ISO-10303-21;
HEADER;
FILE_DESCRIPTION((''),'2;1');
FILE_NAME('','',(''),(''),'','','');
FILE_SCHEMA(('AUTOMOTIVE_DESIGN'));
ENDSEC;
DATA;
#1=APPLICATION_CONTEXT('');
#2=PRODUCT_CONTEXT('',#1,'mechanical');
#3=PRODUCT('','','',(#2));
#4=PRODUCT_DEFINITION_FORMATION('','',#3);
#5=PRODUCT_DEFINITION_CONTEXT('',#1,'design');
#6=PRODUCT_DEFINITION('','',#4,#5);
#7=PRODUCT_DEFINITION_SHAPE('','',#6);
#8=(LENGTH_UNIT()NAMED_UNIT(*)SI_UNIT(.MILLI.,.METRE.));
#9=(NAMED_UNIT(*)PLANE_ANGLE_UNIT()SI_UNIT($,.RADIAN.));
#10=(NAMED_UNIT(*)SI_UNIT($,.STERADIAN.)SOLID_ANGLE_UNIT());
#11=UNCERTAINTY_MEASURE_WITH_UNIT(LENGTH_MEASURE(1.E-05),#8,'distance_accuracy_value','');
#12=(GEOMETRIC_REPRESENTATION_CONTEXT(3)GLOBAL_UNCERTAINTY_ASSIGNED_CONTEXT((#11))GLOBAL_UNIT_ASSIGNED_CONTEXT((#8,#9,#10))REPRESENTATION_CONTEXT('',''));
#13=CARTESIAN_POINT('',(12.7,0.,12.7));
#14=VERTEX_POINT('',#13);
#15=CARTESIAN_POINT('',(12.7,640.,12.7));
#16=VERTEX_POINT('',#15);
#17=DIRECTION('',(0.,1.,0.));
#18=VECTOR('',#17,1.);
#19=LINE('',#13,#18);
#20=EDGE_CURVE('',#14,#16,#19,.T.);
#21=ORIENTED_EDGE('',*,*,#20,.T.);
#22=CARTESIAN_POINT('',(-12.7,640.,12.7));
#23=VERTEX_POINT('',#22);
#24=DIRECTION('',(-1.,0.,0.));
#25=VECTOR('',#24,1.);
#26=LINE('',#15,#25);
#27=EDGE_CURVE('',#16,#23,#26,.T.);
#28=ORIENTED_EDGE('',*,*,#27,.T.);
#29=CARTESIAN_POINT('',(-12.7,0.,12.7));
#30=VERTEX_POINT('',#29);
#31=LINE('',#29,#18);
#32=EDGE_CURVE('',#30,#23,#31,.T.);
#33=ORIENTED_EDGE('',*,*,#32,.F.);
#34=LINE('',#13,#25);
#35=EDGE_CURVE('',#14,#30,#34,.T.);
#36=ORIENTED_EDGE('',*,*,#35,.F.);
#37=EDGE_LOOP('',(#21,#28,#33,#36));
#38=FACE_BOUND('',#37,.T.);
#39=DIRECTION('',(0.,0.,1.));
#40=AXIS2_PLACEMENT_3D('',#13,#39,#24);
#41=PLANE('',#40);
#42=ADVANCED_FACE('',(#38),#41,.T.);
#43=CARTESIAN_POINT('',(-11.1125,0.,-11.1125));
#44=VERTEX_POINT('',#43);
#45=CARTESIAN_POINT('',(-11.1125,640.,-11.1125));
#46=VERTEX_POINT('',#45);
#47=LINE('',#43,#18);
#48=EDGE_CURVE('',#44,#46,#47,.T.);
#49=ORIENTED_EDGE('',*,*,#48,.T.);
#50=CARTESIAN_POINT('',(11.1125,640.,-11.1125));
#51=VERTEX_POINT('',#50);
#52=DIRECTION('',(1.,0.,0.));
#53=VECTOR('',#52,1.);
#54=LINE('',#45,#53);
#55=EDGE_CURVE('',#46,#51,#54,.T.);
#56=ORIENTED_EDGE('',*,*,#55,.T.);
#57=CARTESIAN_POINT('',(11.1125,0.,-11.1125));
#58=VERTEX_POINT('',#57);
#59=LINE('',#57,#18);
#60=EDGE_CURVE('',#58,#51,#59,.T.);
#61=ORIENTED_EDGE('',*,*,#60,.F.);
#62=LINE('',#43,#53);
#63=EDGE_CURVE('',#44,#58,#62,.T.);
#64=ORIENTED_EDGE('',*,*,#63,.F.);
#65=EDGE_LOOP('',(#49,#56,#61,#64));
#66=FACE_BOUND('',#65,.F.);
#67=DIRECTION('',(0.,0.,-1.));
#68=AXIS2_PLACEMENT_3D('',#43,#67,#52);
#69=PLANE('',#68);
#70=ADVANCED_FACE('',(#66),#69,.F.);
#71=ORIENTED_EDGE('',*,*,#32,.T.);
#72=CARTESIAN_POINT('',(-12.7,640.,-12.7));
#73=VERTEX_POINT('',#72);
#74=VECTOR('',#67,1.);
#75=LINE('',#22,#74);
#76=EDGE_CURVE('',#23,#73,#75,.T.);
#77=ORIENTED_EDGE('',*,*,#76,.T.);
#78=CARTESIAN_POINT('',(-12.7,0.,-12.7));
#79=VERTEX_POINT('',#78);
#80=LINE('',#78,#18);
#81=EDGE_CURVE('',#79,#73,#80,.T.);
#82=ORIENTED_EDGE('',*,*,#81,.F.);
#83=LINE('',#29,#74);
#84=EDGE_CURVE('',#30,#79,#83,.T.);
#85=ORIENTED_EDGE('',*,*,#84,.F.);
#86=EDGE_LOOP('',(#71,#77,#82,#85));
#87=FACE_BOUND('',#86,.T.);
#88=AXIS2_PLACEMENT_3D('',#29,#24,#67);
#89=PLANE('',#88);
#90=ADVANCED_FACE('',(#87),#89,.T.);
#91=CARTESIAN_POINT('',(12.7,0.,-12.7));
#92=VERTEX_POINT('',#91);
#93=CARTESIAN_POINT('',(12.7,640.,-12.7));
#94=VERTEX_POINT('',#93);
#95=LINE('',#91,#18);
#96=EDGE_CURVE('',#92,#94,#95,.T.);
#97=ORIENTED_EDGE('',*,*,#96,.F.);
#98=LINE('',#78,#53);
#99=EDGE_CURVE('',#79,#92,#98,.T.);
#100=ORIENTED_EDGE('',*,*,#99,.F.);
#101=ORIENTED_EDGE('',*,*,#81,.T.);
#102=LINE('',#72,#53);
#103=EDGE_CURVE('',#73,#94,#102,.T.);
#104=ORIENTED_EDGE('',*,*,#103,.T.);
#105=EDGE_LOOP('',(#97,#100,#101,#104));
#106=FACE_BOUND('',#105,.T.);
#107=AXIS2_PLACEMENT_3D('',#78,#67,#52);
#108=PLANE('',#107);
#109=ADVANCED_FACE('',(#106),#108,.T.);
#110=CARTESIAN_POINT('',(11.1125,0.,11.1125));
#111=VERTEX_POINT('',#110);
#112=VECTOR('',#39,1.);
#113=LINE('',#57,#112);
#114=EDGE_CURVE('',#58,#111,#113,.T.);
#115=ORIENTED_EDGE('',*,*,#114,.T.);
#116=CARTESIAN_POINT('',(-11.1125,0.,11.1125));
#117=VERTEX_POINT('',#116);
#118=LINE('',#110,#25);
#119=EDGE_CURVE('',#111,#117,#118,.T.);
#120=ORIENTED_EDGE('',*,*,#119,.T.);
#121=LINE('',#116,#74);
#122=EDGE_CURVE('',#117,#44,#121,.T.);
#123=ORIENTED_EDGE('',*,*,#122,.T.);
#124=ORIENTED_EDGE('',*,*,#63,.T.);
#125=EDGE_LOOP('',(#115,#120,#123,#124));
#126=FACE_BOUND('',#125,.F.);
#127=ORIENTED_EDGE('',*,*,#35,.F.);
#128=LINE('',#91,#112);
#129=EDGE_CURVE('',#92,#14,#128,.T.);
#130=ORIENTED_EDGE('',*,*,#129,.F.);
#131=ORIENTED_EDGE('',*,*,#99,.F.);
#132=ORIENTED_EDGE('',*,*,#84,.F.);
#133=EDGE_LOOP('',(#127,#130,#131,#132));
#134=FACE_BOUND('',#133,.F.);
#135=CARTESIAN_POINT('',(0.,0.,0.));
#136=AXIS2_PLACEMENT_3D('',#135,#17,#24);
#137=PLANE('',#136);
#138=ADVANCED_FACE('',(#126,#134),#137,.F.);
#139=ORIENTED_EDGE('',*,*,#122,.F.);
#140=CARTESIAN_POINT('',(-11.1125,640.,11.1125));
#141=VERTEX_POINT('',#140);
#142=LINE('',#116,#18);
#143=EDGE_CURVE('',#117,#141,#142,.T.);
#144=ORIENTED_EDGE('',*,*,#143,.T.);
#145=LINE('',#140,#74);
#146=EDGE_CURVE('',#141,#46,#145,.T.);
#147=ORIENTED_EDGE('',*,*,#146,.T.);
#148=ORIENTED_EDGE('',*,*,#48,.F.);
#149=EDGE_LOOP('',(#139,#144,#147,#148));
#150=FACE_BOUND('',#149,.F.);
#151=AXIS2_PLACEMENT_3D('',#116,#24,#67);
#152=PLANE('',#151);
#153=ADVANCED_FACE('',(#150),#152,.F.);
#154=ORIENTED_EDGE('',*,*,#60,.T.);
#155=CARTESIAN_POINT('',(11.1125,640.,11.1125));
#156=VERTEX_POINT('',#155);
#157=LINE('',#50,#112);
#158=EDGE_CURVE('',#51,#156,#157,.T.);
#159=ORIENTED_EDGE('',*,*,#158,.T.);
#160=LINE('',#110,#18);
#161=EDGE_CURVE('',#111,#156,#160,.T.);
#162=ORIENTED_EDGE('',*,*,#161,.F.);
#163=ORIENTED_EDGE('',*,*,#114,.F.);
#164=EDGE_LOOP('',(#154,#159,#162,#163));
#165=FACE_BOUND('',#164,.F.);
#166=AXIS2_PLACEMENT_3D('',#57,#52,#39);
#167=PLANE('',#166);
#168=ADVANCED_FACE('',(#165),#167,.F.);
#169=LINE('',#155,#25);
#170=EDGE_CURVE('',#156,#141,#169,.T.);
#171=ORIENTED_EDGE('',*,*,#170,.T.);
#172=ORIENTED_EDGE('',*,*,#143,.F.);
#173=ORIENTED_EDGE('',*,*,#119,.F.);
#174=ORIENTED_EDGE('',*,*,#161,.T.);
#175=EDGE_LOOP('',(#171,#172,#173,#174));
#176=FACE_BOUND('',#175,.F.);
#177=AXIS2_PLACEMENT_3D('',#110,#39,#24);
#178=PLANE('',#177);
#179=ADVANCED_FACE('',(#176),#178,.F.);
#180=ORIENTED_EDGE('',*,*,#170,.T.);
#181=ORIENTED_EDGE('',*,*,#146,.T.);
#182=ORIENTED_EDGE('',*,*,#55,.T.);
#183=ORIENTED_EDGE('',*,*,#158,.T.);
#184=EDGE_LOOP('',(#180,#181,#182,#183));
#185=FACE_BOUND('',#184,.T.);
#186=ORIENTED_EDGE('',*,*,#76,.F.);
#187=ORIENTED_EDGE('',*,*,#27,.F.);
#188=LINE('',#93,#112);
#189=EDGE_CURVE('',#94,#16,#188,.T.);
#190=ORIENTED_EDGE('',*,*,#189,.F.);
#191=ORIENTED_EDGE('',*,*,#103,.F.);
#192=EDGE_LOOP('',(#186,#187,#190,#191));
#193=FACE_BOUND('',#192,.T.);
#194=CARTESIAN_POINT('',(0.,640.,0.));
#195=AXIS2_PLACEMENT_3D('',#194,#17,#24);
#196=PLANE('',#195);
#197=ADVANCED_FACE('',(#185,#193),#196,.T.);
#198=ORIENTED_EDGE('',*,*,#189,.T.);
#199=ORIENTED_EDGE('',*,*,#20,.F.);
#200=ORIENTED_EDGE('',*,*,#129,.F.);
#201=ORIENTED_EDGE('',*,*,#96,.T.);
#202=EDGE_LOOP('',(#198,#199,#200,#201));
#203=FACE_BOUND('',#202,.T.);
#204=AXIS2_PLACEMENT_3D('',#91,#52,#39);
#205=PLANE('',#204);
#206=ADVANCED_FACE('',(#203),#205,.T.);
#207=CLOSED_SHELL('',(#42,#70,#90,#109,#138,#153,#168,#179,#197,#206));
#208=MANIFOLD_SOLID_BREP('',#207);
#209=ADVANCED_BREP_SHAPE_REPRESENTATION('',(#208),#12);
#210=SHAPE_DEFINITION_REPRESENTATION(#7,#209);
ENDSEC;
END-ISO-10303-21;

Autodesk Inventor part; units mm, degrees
ref_plane "YZ Plane" through (0, 0, 0) normal (1, 0, 0) x (0, 1, 0)
ref_plane "XZ Plane" through (0, 0, 0) normal (0, 1, 0) x (-1, 0, 0)
ref_plane "XY Plane" through (0, 0, 0) normal (0, 0, 1) x (1, 0, 0)
sketch "Sketch1" plane through (0, 0, 0) normal (0, 1, 0) x (-1, 0, 0)
  line L0 (12.7, 12.7) -> (12.7, -12.7)
  line L1 (12.7, -12.7) -> (-12.7, -12.7)
  line L2 (-12.7, -12.7) -> (-12.7, 12.7)
  line L3 (-12.7, 12.7) -> (12.7, 12.7)
  line L4 (12.7, 12.7) -> (-12.7, -12.7) construction
  line L5 (12.7, -12.7) -> (-12.7, 12.7) construction
  line L6 (11.1125, 11.1125) -> (11.1125, -11.1125)
  line L7 (11.1125, -11.1125) -> (-11.1125, -11.1125)
  line L8 (-11.1125, -11.1125) -> (-11.1125, 11.1125)
  line L9 (-11.1125, 11.1125) -> (11.1125, 11.1125)
  line L10 (11.1125, 11.1125) -> (-11.1125, -11.1125) construction
  line L11 (11.1125, -11.1125) -> (-11.1125, 11.1125) construction
  point P0 (0, 0)
  dimension "d0" = 25.4
  dimension "d1" = 25.4
  dimension "d2" = 1.5875
  dimension "d3" = 1.5875
extrude "Extrusion1" add sketch "Sketch1" along normal blind 640
properties part number "64cmTube" material "Aluminum 6061"
